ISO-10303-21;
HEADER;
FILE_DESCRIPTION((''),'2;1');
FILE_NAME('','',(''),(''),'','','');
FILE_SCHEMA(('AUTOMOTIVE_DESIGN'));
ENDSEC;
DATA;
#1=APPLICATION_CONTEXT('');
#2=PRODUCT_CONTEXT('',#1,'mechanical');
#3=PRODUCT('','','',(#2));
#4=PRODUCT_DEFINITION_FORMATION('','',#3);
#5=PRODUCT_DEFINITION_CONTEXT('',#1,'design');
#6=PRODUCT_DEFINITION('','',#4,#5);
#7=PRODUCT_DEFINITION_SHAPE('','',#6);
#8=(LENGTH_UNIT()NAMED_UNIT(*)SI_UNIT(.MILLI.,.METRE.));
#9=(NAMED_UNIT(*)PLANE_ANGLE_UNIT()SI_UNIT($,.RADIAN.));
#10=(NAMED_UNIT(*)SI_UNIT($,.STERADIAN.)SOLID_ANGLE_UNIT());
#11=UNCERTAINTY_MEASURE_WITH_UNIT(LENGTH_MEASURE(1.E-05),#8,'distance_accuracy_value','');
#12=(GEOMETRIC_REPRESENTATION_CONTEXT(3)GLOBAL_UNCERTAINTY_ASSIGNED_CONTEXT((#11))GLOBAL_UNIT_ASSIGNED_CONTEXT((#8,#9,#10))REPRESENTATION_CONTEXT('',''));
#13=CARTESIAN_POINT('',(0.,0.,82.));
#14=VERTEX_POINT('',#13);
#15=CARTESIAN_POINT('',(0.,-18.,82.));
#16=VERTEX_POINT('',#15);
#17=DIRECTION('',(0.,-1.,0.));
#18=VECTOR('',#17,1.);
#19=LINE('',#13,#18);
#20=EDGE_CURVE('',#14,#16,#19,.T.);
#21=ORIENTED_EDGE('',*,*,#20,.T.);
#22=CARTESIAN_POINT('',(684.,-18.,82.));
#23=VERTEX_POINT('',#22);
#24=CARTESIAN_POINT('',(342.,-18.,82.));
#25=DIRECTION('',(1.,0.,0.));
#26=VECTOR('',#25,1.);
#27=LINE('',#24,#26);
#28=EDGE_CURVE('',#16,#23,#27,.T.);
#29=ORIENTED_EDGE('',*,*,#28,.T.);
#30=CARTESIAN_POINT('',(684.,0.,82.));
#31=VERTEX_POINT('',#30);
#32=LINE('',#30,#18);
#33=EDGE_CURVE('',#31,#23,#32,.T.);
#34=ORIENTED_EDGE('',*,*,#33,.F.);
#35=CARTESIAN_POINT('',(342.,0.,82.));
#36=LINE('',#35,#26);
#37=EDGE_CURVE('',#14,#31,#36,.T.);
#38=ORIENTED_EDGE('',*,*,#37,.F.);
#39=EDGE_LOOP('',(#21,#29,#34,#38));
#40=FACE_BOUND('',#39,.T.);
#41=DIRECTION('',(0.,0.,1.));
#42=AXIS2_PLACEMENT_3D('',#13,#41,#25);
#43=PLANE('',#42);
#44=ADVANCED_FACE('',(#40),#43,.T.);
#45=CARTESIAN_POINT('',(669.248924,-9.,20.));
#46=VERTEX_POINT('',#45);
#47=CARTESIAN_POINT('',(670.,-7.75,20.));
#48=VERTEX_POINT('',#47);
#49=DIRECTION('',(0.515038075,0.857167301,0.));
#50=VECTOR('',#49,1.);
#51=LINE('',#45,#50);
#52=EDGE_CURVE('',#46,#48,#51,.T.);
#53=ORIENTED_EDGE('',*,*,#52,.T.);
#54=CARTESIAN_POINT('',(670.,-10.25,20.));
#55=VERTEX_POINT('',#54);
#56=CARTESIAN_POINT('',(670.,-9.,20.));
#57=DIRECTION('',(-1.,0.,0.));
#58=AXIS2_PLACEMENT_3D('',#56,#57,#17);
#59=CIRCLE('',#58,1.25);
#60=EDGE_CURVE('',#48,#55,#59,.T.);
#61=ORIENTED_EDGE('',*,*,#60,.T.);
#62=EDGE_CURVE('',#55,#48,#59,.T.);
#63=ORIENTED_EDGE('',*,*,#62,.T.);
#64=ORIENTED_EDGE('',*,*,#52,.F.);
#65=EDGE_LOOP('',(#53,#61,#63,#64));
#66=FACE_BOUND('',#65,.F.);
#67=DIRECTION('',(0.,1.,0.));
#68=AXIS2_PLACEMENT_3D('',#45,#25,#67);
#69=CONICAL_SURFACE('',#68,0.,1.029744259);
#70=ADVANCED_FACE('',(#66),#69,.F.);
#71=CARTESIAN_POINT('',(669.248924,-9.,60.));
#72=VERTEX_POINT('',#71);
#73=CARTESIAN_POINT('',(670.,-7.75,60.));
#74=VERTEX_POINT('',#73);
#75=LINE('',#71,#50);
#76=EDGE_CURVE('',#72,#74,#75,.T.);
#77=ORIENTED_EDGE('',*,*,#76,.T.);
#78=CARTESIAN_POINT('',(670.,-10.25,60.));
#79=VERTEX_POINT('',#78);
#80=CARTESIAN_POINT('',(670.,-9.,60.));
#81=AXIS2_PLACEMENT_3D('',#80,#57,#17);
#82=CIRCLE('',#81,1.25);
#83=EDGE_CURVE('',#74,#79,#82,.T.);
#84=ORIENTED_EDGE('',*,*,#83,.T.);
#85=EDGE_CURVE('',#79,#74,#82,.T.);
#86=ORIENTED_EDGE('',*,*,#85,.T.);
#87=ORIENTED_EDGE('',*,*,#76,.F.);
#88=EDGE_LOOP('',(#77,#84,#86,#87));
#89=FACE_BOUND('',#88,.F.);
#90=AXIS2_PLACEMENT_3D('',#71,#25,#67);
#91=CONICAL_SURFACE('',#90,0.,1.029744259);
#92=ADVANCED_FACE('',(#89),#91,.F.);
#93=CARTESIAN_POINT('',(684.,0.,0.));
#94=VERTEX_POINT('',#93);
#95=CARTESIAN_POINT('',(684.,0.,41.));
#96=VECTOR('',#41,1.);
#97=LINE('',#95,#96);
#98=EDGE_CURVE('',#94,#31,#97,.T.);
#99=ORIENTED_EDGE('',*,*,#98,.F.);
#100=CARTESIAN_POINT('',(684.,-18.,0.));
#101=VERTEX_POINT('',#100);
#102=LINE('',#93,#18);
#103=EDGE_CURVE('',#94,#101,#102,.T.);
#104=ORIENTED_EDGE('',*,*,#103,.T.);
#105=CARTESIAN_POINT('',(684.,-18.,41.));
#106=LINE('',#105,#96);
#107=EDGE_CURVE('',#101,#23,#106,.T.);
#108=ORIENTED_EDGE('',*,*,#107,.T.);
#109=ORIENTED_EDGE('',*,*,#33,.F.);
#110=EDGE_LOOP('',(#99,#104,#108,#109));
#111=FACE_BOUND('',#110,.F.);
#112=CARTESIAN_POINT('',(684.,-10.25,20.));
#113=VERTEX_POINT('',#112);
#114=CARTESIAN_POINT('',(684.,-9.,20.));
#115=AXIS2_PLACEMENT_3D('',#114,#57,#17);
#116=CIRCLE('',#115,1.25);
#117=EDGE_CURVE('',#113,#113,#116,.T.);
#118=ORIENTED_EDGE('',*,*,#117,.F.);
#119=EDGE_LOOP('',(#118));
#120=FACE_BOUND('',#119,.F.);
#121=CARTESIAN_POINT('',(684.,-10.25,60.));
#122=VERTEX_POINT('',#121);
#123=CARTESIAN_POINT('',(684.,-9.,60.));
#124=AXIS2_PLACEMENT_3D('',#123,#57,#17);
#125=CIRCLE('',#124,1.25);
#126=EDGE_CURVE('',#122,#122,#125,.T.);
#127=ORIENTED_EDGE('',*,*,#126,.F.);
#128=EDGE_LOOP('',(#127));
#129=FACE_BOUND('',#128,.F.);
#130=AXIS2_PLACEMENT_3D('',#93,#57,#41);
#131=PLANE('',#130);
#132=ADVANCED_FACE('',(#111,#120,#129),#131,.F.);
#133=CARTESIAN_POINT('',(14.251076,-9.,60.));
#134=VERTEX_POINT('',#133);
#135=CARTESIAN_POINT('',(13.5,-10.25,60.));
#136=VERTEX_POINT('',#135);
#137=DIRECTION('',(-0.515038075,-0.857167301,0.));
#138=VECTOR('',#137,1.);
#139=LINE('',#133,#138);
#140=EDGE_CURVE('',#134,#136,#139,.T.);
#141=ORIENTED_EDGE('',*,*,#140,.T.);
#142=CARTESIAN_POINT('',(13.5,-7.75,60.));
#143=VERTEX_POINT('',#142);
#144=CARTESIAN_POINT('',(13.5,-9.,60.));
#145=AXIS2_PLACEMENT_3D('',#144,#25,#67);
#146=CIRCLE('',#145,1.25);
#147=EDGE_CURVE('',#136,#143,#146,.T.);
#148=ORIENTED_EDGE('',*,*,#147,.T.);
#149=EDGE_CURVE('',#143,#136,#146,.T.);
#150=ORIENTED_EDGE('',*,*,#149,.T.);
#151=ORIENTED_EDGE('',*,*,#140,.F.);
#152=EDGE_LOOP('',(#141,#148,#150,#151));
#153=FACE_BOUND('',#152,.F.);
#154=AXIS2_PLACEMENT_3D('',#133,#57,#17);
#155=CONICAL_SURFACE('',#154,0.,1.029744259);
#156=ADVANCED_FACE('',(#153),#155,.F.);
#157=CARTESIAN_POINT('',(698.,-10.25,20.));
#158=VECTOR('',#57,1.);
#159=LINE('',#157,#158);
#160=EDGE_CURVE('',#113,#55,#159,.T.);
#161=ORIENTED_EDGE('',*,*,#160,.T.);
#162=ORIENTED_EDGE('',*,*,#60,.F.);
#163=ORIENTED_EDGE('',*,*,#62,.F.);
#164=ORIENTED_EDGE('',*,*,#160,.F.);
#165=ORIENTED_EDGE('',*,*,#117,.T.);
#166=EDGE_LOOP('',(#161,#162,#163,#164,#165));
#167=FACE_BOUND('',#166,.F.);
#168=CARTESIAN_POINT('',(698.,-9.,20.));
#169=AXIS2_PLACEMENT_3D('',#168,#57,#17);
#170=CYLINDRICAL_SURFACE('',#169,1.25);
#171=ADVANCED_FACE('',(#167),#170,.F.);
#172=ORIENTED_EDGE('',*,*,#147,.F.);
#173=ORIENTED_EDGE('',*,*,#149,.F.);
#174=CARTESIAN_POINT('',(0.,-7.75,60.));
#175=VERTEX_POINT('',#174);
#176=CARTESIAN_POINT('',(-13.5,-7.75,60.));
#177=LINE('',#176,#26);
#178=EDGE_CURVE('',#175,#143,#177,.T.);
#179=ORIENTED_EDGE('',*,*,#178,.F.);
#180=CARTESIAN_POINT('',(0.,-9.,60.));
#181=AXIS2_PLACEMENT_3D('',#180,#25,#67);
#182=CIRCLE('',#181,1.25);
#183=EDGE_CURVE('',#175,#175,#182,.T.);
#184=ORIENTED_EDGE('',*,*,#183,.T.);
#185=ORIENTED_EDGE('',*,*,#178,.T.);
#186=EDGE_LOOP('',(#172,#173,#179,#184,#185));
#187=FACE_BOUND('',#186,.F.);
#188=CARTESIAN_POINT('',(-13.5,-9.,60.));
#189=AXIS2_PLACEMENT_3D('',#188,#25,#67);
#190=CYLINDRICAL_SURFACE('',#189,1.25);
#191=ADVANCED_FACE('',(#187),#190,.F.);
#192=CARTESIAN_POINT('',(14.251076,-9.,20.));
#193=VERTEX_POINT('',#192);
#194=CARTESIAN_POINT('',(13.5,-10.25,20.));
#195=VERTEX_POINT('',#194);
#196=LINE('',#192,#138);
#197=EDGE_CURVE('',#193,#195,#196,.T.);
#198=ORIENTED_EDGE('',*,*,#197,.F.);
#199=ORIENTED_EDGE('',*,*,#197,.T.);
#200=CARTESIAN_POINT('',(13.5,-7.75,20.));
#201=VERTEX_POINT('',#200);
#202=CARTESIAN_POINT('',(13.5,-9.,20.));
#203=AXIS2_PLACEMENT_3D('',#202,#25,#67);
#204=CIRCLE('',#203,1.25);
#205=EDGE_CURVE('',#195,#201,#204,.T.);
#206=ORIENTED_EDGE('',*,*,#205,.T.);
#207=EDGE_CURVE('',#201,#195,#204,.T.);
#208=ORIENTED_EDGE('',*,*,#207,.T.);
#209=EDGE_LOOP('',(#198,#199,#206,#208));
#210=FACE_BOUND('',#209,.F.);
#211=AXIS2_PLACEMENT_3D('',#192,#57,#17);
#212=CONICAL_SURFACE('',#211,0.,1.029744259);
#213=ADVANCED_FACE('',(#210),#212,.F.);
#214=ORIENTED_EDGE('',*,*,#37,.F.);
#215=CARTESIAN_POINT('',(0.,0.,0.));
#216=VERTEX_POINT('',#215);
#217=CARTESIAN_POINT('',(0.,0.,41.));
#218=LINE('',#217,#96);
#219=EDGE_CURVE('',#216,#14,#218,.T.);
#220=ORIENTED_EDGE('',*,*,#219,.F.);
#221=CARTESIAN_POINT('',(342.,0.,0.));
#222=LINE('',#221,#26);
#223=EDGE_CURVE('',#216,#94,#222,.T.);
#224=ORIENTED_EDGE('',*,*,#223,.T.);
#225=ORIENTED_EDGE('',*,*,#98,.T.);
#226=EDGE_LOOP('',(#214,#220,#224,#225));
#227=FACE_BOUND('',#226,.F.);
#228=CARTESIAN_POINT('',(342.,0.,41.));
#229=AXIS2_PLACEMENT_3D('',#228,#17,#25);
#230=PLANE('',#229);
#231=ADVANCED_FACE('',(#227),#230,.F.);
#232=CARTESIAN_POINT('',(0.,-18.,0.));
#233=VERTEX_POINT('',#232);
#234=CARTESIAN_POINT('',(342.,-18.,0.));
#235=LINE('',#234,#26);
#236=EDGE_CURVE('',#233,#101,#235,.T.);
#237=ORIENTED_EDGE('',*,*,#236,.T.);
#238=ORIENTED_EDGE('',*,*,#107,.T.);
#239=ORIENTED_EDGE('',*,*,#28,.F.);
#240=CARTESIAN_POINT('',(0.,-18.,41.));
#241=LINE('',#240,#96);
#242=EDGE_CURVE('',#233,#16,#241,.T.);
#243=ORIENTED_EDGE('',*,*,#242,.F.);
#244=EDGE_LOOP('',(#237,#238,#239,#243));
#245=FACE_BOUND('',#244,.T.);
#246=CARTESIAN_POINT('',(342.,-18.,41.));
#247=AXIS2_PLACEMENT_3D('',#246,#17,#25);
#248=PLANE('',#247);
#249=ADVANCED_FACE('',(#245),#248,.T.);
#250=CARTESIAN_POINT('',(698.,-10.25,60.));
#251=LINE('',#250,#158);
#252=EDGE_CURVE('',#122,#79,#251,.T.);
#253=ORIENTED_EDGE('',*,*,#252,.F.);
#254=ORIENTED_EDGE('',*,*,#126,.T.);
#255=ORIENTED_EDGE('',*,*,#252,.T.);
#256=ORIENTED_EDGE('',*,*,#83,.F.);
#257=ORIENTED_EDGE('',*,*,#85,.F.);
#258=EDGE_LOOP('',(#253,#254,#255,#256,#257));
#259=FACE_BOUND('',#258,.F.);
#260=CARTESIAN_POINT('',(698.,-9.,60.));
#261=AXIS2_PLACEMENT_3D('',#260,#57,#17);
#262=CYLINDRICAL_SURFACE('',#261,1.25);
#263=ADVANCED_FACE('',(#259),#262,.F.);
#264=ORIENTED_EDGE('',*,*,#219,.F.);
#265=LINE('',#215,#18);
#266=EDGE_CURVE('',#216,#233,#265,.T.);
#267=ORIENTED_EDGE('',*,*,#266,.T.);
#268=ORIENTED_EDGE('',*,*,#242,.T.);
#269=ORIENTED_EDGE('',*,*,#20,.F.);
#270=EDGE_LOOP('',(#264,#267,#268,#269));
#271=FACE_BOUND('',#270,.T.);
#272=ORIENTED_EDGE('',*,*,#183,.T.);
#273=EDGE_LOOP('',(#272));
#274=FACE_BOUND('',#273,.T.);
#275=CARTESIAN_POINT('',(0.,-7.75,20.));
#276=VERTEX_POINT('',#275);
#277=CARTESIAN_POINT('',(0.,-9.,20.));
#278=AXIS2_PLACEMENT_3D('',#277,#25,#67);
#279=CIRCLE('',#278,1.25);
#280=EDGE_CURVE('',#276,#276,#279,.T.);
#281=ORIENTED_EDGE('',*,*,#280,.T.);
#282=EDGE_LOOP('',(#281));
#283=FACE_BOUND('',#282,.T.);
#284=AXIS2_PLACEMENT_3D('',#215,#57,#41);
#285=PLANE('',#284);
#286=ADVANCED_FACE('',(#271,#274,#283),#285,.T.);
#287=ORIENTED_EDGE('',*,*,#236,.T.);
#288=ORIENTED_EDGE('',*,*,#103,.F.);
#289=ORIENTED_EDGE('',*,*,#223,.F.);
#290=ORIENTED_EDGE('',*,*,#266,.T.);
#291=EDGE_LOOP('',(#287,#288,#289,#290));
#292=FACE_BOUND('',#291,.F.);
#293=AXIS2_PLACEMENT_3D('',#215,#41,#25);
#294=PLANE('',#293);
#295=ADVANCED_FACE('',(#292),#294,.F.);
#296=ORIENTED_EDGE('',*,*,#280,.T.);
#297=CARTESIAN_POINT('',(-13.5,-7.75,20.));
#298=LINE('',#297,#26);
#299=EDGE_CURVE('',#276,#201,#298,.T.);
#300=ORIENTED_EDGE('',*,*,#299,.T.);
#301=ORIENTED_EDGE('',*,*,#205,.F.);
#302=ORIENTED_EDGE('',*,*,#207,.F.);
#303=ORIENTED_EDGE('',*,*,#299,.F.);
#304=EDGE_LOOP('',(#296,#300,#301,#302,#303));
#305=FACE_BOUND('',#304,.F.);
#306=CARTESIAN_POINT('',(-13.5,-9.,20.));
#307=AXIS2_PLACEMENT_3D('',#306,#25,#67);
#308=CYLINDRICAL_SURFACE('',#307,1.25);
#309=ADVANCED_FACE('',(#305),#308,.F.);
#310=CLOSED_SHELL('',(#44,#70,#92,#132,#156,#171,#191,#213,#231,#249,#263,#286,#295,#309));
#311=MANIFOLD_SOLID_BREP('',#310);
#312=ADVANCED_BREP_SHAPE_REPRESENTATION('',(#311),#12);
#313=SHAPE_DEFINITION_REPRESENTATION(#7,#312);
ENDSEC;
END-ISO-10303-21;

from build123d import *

# Parameters (mm, degrees)
F0_W     = 684
F0_H     = 82
F1_DEPTH = 18
F3_D     = 2.5
F3_DEPTH = 13.5
F3_TIP   = 0.7510757738
F5_D     = 2.5
F5_DEPTH = 14
F5_TIP   = 0.7510757738


with BuildPart() as f1:
    # F0 (on Front) → F1 (new body)
    with BuildSketch(Plane.XZ):
        with Locations((342, 41)):
            Rectangle(F0_W, F0_H)
    extrude(amount=F1_DEPTH)

    # F3
    with Locations(Plane(origin=(0, 0, 0), x_dir=(0, -1, 0), z_dir=(-1, 0, 0))):
        with Locations((9, 20), (9, 60)):
            Hole(F3_D / 2, depth=F3_DEPTH)
            with Locations((0, 0, -(F3_DEPTH + F3_TIP / 2))):  # 118° drill point
                Cone(0, F3_D / 2, F3_TIP, mode=Mode.SUBTRACT)

    # F5
    with Locations(Plane.YZ.offset(684)):
        with Locations((-9, 20), (-9, 60)):
            Hole(F5_D / 2, depth=F5_DEPTH)
            with Locations((0, 0, -(F5_DEPTH + F5_TIP / 2))):  # 118° drill point
                Cone(0, F5_D / 2, F5_TIP, mode=Mode.SUBTRACT)


solid = f1.part
